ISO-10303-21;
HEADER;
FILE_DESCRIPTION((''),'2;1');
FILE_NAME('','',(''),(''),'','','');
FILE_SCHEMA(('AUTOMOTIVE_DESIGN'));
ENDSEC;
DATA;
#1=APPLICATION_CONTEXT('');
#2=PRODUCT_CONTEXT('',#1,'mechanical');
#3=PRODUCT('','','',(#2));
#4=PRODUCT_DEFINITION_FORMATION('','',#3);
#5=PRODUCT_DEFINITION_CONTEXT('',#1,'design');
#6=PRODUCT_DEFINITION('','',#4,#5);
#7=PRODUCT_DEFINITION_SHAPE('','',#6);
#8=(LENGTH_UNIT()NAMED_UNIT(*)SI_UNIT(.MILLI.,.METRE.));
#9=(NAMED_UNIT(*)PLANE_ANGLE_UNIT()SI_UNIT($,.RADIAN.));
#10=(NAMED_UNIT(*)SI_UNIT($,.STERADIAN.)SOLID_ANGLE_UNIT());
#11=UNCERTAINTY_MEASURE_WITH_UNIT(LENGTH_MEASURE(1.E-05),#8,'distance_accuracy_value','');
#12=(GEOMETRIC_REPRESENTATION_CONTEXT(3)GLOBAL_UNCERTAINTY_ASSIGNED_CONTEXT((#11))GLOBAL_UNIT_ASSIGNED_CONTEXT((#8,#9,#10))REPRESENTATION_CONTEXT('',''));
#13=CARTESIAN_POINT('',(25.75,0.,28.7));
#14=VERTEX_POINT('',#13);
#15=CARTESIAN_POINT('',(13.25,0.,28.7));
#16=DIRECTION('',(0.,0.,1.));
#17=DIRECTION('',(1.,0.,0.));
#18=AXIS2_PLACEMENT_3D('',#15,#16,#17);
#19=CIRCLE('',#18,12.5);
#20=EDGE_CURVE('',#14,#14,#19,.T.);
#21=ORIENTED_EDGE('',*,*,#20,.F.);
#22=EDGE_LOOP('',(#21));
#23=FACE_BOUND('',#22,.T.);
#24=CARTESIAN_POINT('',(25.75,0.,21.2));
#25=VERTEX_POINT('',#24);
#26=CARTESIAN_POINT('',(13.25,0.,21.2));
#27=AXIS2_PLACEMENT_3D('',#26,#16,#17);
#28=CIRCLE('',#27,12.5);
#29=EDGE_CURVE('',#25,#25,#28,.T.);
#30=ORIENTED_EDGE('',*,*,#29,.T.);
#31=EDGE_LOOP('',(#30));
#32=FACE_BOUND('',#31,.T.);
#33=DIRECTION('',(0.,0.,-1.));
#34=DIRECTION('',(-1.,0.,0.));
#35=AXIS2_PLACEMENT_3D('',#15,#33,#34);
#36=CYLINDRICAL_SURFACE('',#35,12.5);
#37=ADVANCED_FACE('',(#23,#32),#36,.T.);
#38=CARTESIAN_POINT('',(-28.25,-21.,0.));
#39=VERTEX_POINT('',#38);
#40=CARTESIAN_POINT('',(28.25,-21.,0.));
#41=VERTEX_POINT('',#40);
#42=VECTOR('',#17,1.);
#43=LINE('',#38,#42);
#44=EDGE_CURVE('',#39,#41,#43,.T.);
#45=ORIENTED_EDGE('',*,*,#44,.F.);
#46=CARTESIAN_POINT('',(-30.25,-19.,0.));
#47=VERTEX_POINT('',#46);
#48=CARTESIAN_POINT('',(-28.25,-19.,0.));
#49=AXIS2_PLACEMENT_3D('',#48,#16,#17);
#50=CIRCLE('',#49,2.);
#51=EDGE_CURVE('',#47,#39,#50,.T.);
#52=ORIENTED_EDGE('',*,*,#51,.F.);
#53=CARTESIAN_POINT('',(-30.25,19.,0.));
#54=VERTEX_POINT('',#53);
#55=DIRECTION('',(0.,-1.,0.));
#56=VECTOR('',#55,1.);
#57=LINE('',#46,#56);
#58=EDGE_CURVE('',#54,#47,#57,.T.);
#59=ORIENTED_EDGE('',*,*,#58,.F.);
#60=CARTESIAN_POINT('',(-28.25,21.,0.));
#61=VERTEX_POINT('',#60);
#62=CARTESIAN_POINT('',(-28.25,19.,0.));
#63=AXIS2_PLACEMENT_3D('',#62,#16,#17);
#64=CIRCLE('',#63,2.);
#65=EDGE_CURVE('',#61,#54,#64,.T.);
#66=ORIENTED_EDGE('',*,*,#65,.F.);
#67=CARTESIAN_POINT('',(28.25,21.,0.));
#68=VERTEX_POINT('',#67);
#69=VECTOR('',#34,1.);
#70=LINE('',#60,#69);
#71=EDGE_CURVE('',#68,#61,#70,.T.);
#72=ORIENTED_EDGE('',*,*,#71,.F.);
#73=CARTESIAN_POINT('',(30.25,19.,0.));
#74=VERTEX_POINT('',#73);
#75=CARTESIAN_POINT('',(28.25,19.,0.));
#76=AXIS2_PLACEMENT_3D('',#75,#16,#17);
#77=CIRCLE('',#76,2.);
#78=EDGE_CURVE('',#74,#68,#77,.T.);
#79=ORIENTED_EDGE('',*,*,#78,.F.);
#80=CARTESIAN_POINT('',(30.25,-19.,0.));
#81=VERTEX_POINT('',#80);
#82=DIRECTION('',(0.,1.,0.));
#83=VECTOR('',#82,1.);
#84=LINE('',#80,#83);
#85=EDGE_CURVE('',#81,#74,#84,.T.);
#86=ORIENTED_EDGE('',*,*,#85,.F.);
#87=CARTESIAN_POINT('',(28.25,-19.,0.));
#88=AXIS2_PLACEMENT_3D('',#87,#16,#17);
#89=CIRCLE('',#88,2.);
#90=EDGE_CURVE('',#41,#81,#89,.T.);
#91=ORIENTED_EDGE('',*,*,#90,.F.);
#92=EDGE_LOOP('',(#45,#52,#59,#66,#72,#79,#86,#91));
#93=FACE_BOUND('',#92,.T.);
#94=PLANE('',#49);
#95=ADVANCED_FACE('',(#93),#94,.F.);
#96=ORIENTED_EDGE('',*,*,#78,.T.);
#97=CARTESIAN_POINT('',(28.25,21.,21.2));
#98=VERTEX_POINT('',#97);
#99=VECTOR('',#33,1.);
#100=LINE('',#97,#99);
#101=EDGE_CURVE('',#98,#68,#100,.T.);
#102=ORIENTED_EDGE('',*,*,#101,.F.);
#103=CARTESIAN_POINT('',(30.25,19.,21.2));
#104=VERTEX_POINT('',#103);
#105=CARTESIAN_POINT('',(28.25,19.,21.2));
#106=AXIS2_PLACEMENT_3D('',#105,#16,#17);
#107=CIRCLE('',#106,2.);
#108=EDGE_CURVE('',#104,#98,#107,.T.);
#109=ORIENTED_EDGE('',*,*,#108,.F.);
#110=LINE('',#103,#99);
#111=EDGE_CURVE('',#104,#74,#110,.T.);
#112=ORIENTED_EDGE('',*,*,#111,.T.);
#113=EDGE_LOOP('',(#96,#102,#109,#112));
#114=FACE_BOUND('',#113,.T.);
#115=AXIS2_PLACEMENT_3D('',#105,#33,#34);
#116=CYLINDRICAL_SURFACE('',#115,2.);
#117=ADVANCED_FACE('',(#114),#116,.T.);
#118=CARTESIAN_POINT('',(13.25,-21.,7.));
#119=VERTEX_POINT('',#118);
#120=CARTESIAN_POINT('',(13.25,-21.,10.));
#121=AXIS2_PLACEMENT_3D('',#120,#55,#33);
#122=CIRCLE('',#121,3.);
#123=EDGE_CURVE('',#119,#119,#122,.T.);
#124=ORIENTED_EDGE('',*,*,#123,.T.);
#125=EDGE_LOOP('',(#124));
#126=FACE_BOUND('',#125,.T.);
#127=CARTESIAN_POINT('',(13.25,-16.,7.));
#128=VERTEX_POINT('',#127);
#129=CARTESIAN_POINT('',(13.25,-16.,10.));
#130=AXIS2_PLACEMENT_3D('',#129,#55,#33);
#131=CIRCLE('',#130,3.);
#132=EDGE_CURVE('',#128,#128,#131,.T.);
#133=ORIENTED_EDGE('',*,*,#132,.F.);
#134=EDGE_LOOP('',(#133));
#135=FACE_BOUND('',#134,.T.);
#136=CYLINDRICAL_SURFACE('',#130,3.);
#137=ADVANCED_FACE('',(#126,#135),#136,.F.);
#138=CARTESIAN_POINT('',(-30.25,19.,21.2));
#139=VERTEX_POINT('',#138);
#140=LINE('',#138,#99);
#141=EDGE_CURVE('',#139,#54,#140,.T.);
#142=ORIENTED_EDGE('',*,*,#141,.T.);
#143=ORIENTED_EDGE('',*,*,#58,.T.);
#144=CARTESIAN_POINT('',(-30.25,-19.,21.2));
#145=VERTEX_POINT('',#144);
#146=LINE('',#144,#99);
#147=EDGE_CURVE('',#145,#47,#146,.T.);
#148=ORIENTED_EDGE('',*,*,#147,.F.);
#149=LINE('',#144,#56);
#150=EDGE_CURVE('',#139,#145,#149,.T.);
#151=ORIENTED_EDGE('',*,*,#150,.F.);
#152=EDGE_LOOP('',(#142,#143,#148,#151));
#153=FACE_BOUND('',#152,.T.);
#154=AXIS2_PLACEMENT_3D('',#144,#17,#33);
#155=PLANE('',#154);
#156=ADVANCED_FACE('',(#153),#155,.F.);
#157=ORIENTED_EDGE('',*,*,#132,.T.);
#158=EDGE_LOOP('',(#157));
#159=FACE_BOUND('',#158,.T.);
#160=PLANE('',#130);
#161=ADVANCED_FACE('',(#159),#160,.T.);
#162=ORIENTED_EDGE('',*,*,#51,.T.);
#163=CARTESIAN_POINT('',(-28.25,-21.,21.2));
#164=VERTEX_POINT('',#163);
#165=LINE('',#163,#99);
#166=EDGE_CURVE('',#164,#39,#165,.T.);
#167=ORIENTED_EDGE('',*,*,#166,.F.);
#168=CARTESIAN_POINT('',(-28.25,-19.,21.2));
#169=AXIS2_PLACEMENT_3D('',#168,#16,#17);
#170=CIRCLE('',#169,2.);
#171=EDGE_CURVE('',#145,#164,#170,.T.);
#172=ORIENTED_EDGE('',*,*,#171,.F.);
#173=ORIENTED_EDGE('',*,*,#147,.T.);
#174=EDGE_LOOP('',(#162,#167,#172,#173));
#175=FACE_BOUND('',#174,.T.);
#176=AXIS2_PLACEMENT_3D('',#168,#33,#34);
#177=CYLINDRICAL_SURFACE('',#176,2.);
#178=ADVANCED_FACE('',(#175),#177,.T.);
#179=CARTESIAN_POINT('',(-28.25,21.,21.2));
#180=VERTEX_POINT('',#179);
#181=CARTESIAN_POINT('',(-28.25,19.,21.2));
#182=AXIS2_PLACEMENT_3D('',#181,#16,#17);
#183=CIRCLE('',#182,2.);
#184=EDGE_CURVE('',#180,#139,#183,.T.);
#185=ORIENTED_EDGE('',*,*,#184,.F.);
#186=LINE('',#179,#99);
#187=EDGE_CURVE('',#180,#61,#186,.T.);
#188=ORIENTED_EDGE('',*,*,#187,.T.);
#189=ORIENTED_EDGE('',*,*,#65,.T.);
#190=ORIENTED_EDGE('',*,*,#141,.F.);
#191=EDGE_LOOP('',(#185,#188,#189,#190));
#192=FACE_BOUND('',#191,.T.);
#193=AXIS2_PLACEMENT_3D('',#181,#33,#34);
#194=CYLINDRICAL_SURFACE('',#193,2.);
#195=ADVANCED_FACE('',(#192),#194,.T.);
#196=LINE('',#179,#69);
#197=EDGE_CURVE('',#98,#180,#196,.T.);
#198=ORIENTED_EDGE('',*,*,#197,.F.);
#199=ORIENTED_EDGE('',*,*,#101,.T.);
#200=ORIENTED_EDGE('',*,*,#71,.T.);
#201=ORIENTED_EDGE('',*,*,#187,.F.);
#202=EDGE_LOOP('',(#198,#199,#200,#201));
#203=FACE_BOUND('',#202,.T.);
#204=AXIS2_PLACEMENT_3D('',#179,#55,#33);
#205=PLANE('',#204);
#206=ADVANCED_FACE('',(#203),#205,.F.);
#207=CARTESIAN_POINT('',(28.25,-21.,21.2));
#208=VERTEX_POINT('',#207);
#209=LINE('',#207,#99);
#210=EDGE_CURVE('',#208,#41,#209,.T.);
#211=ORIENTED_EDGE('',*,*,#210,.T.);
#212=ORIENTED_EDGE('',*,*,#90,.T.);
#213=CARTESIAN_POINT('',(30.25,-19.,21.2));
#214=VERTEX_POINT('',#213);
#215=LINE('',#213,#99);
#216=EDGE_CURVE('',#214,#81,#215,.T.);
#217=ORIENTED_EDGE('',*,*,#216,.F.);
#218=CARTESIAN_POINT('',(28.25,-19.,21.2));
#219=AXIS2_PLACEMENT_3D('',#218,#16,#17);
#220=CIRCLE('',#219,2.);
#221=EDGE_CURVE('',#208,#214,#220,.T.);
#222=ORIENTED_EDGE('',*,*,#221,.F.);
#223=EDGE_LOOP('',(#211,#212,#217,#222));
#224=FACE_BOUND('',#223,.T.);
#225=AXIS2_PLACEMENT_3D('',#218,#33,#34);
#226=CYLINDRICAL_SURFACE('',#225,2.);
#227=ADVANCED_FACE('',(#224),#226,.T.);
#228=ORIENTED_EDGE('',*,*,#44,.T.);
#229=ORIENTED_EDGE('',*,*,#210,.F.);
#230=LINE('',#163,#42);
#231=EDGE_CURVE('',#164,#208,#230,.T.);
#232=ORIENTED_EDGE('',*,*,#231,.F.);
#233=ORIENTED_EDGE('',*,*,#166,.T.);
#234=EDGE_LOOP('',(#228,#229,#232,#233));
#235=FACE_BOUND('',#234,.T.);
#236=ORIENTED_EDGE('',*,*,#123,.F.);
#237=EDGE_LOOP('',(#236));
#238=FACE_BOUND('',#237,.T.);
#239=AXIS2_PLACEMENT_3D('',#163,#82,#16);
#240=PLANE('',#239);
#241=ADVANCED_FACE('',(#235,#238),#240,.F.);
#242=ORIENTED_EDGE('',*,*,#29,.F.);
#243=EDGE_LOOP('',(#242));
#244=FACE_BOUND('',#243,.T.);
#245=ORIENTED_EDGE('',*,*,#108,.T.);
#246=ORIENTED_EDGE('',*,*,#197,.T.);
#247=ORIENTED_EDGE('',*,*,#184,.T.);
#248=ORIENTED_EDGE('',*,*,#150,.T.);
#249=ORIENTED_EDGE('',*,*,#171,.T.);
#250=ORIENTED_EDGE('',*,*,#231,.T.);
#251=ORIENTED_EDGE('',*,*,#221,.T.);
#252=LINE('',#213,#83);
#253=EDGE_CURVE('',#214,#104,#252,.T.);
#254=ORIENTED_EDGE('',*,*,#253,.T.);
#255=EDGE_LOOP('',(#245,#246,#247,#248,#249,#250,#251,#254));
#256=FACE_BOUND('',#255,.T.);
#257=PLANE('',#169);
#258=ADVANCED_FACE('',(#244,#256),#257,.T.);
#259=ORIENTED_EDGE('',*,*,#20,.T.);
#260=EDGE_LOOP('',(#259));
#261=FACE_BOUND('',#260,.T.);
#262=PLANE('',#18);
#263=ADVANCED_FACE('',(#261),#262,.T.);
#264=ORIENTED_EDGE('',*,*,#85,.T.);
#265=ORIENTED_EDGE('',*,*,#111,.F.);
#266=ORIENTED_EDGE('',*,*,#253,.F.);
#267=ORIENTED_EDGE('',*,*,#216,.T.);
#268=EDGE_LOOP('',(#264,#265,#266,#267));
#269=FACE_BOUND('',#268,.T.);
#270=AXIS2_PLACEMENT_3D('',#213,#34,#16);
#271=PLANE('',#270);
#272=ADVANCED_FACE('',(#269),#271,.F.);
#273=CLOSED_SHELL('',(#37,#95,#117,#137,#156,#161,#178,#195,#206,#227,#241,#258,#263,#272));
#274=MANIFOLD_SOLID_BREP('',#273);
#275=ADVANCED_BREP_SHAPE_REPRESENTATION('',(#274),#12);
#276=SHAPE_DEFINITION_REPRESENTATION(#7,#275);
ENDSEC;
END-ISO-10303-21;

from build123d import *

# Parameters (mm, degrees)
BOSS_EXTRUDE1_DEPTH = 21.2
SKETCH2_R           = 12.5
BOSS_EXTRUDE2_DEPTH = 7.5
SKETCH3_R           = 3
CUT_EXTRUDE1_DEPTH  = 5


with BuildPart() as part:
    # Sketch1 → Boss-Extrude1 (new body)
    with BuildSketch(Plane.XY):
        with BuildLine():
            Line((-28.25, -21), (28.25, -21))
            ThreePointArc((28.25, -21), (29.664213562, -20.414213562), (30.25, -19))
            Line((30.25, -19), (30.25, 19))
            ThreePointArc((30.25, 19), (29.664213562, 20.414213562), (28.25, 21))
            Line((28.25, 21), (-28.25, 21))
            ThreePointArc((-28.25, 21), (-29.664213562, 20.414213562), (-30.25, 19))
            Line((-30.25, 19), (-30.25, -19))
            ThreePointArc((-30.25, -19), (-29.664213562, -20.414213562), (-28.25, -21))
        make_face()
    extrude(amount=BOSS_EXTRUDE1_DEPTH)

    # Sketch2 → Boss-Extrude2 (add)
    with BuildSketch(Plane.XY.offset(21.2)):
        with Locations((13.25, 0)):
            Circle(SKETCH2_R)
    extrude(amount=BOSS_EXTRUDE2_DEPTH)

    # Sketch3 → Cut-Extrude1 (cut)
    with BuildSketch(Plane.XZ.offset(21)):
        with Locations(Location((13.25, 10, 0), (0, 0, 270))):
            Circle(SKETCH3_R)
    extrude(amount=-CUT_EXTRUDE1_DEPTH, mode=Mode.SUBTRACT)


solid = part.part
